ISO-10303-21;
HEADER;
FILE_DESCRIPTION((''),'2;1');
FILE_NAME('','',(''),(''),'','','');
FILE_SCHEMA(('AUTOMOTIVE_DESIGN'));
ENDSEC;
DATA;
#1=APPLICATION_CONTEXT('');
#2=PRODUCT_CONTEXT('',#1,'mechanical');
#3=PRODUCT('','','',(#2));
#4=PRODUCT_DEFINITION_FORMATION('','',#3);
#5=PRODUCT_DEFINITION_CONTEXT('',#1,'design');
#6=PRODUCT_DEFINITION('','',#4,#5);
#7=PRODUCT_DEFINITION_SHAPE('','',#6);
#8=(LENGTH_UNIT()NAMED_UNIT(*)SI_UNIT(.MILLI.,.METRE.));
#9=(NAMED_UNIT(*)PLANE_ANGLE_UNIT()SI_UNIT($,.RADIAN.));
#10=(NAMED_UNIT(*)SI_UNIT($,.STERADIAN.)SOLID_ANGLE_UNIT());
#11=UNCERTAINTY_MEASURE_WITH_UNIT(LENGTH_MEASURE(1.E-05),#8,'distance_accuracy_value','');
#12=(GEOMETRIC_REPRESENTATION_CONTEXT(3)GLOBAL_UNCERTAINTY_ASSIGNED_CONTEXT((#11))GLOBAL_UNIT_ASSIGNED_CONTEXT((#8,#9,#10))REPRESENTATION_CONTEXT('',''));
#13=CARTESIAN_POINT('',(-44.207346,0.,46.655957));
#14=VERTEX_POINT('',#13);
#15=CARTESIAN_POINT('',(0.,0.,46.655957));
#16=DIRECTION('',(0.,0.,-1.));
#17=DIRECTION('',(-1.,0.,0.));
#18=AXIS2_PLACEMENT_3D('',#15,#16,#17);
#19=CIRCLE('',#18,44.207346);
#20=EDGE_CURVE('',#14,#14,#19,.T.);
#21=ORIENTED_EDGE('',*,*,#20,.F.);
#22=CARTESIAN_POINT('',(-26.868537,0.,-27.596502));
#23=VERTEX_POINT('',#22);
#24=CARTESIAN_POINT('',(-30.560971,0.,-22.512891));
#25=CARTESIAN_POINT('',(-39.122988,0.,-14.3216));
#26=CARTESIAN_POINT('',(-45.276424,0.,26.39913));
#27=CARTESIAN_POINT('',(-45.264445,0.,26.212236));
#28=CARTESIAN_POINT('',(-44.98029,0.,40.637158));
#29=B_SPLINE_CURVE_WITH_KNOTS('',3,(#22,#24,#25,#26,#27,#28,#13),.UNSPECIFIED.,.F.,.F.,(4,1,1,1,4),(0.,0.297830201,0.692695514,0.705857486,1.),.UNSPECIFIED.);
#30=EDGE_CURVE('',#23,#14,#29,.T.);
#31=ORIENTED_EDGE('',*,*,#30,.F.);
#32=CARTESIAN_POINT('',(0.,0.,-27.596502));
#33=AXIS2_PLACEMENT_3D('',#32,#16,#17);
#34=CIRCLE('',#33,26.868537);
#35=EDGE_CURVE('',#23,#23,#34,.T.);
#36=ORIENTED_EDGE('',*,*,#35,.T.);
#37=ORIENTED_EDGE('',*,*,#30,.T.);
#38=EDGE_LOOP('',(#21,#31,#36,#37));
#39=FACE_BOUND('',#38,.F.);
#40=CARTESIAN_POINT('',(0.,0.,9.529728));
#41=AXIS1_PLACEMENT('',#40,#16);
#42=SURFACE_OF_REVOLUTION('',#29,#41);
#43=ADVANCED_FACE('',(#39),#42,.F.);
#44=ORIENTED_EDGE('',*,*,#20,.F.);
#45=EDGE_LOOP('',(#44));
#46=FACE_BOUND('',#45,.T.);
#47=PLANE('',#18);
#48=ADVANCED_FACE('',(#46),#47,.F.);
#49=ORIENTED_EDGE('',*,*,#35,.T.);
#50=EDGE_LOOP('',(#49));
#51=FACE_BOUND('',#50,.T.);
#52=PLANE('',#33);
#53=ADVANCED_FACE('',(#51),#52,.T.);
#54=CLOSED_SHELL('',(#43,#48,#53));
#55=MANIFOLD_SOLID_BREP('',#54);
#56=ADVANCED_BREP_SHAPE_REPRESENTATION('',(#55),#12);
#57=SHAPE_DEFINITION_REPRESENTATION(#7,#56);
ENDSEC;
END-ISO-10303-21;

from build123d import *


with BuildPart() as f1:
    # F0 (on Front) → F1 (revolve)
    with BuildSketch(Plane.XZ):
        with BuildLine():
            Line((-26.8685370684, -27.5965016335), (0, -27.5965016335))
            Line((0, -27.5965016335), (0, 46.6559566557))
            Line((0, 46.6559566557), (-44.2073456943, 46.6559566557))
            add(Edge.make_bspline(
                [(-26.8685370684, -27.5965016335), (-30.5609709601, -22.5128905369), (-39.1229875662, -14.3216000793), (-45.2764235385, 26.3991296441), (-45.2644453279, 26.2122355852), (-44.9802898046, 40.6371582825), (-44.2073456943, 46.6559566557)],
                knots=[0, 0, 0, 0, 0.2978302009, 0.6926955135, 0.7058574863, 1, 1, 1, 1], degree=3))
        make_face()
    revolve(axis=Axis((0, 0, 9.5297275111), (0, 0, -1)))


solid = f1.part
